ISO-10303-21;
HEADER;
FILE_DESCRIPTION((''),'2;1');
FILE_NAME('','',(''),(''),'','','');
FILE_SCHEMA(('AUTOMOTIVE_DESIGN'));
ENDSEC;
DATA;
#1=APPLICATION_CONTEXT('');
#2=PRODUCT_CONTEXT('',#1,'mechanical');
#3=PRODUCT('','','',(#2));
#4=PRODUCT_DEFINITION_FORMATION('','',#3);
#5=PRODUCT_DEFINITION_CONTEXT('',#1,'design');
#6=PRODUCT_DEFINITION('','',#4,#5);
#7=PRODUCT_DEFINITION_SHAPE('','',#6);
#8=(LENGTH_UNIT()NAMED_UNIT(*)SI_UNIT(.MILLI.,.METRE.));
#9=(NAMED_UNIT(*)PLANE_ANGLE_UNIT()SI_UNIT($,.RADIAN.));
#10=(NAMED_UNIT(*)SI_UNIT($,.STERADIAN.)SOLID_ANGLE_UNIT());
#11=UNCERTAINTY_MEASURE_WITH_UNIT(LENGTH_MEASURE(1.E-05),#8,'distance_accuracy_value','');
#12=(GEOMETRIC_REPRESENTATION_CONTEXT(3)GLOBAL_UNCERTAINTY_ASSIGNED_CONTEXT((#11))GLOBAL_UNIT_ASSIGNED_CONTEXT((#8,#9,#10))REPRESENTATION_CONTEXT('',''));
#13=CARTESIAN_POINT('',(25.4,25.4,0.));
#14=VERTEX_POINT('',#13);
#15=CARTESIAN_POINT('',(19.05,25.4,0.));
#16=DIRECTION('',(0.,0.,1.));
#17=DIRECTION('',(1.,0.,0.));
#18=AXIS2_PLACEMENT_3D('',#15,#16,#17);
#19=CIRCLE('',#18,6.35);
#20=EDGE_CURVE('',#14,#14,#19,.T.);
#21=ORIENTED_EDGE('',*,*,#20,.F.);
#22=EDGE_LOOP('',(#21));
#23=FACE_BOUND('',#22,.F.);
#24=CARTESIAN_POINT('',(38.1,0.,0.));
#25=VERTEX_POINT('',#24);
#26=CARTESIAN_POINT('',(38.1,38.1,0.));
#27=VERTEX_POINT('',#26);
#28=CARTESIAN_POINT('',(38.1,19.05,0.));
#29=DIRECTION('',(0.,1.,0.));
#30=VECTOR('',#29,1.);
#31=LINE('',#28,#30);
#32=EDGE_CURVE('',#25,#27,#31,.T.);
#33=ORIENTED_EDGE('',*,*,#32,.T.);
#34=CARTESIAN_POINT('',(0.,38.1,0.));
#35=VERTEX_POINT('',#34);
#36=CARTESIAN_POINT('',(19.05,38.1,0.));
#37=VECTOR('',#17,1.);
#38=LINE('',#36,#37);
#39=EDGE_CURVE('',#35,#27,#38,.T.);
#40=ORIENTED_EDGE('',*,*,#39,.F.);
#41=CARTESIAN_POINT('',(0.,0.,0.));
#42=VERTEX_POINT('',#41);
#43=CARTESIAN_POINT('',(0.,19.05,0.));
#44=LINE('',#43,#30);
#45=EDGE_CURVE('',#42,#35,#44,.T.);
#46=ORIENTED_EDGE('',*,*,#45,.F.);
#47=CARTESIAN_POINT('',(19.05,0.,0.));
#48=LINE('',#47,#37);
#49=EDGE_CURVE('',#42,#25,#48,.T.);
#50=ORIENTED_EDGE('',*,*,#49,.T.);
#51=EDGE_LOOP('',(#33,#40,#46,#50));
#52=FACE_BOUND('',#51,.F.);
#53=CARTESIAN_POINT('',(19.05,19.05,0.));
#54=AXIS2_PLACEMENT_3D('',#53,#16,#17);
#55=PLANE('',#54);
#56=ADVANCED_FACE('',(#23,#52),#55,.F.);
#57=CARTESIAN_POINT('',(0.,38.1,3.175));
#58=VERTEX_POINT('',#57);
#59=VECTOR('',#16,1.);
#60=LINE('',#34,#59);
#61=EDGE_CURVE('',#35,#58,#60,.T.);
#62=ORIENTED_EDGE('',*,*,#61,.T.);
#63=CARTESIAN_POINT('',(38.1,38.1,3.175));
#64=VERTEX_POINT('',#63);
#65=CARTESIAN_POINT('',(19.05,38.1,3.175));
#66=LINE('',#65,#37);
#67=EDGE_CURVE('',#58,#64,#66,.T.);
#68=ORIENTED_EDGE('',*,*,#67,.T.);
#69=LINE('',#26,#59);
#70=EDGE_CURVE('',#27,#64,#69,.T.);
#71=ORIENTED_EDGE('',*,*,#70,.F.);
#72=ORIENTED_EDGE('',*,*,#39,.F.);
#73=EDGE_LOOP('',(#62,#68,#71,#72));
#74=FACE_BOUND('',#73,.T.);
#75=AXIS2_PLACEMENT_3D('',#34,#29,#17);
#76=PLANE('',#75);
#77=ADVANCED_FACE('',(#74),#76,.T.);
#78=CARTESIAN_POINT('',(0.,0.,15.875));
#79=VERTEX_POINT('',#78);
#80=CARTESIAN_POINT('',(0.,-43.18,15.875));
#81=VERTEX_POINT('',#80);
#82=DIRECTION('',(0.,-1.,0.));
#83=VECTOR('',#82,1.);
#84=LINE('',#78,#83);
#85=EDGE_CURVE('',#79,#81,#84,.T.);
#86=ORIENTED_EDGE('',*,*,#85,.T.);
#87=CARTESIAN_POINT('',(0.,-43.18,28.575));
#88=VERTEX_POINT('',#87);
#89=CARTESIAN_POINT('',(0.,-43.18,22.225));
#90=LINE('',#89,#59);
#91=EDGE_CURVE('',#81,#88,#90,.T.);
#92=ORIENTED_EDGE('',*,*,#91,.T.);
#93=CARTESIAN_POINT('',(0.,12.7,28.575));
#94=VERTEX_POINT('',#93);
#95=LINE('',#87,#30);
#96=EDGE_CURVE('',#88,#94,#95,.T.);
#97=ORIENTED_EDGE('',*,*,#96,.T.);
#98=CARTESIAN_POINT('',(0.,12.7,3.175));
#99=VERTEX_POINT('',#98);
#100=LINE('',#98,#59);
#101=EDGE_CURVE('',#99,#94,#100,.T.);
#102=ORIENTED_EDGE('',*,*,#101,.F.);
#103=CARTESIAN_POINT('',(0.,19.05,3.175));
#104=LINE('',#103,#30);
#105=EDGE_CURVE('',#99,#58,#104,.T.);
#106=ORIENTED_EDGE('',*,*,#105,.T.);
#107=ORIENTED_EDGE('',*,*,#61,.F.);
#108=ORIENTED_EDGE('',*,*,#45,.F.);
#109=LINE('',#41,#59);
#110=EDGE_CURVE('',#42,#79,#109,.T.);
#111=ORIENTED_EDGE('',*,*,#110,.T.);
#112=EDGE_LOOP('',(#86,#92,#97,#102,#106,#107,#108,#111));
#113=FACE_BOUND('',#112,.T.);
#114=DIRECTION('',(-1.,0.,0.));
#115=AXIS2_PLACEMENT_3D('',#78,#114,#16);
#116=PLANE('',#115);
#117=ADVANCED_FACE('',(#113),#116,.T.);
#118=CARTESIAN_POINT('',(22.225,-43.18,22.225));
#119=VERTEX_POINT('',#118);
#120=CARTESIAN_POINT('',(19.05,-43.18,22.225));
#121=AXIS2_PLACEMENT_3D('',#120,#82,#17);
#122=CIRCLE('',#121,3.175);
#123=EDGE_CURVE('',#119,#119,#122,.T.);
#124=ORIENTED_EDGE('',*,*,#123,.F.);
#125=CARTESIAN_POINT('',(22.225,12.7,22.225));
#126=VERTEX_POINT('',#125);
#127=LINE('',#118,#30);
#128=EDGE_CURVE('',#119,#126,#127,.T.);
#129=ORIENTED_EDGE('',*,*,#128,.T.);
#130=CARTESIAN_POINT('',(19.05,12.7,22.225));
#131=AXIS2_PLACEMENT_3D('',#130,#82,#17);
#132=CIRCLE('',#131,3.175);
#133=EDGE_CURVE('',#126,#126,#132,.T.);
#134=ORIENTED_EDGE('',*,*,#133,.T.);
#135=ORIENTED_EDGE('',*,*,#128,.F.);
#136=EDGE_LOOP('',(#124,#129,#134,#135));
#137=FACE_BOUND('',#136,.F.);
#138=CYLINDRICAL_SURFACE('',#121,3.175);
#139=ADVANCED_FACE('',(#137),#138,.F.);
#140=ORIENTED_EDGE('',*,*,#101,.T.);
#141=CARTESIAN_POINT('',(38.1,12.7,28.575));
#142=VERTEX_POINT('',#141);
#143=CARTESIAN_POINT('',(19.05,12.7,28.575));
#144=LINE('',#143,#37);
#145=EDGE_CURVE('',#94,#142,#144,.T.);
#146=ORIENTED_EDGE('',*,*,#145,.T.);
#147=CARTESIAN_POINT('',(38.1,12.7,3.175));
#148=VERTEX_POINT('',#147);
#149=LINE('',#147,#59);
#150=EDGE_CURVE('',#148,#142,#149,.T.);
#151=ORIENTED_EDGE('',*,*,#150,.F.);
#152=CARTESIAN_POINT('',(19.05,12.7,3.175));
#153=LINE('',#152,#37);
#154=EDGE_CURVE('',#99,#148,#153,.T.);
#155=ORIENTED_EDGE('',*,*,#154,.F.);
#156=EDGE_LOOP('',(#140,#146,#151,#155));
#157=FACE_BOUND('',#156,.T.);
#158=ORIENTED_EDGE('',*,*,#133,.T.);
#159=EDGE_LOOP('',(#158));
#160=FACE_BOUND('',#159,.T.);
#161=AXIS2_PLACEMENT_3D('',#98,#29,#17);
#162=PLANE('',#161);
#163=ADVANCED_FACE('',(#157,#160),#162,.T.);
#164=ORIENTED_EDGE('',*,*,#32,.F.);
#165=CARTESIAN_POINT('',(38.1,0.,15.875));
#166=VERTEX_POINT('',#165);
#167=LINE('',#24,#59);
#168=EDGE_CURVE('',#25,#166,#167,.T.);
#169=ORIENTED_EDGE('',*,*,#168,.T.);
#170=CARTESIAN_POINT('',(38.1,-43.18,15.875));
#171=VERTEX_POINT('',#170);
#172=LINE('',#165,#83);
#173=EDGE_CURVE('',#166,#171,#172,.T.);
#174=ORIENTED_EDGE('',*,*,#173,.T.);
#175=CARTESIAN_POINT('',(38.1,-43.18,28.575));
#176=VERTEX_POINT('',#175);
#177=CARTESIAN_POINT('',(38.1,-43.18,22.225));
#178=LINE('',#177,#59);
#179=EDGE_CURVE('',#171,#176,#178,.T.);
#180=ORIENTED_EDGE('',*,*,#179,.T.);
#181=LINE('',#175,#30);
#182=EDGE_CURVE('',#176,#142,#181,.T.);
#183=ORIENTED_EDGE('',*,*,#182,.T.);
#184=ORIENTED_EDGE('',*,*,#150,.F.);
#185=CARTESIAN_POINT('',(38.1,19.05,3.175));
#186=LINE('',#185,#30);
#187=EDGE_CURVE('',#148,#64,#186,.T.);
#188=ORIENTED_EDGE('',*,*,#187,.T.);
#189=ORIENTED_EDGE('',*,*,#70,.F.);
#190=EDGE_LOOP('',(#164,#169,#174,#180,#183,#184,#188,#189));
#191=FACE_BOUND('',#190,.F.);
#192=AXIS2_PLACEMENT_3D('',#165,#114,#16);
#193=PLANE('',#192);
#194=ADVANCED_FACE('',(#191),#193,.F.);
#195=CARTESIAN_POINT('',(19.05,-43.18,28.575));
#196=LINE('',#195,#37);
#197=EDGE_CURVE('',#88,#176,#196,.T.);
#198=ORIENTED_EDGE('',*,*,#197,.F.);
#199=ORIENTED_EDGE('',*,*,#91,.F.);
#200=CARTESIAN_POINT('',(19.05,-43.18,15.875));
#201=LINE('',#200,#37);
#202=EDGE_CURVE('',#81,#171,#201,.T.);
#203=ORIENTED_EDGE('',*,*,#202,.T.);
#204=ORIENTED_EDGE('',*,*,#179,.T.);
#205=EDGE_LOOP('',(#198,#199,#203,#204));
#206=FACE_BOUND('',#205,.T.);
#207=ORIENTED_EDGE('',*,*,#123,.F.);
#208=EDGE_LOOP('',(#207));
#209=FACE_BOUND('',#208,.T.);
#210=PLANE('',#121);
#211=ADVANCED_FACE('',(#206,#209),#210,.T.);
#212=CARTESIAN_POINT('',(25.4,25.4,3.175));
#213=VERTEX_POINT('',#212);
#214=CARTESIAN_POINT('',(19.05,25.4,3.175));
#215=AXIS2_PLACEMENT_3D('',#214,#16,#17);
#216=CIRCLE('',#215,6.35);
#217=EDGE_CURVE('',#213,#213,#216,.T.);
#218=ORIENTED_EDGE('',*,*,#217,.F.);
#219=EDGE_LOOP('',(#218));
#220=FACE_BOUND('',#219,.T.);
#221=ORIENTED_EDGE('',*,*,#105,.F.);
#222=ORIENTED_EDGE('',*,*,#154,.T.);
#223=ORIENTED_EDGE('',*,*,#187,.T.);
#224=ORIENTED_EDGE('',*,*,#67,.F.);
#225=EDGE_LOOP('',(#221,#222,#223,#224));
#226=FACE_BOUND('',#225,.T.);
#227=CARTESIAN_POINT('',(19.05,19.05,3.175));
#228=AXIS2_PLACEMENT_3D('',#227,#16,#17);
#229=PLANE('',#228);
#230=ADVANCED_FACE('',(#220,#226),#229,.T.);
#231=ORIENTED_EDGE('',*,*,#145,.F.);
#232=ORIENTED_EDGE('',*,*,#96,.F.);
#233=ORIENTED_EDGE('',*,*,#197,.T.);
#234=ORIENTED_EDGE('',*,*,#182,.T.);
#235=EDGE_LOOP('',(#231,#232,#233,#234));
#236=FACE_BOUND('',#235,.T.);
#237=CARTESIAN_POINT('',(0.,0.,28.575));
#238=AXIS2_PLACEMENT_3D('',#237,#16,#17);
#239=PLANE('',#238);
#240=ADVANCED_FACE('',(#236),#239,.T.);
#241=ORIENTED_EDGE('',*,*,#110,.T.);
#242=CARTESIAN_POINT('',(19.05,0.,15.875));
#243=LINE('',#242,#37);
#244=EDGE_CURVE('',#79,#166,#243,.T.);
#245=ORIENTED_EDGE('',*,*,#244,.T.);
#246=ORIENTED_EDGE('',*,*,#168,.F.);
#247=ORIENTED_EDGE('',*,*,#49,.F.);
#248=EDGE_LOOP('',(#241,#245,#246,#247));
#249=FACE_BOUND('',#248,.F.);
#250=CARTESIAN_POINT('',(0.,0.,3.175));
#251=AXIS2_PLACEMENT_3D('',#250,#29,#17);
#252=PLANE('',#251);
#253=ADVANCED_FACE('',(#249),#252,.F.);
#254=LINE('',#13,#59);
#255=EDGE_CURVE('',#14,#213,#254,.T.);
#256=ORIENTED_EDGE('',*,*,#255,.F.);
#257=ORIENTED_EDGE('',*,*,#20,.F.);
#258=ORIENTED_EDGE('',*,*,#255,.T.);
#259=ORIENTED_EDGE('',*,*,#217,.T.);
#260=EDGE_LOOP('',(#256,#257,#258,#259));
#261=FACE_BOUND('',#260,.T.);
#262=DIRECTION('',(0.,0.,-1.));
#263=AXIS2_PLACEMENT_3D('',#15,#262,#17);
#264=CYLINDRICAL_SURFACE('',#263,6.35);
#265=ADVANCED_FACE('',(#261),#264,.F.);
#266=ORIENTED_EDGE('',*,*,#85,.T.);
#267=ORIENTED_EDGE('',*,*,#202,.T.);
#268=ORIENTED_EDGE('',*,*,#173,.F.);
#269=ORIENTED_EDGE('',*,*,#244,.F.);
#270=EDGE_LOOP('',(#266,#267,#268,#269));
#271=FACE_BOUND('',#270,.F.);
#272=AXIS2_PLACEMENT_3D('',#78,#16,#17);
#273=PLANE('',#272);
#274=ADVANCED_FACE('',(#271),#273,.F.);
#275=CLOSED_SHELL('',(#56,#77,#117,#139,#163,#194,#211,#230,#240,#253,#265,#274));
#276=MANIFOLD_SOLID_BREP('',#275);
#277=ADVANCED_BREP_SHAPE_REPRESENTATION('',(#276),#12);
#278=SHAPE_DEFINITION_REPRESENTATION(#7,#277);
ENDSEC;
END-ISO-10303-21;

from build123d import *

# Parameters (mm, degrees)
F0_W     = 38.1
F0_H     = 38.1
F0_R     = 6.35
F1_DEPTH = 3.175
F2_W     = 38.1
F2_H     = 12.7
F3_DEPTH = 25.4
F4_W     = 38.1
F4_H     = 12.7
F5_DEPTH = 43.18
F6_R     = 3.175
F7_DEPTH = 81.281


with BuildPart() as f1:
    # F0 (on Top) → F1 (new body)
    with BuildSketch(Plane.XY):
        with Locations((19.05, 19.05)):
            Rectangle(F0_W, F0_H)
        with Locations((19.05, 25.4)):
            Circle(F0_R, mode=Mode.SUBTRACT)
    extrude(amount=F1_DEPTH)

    # F2 (on face) → F3 (join)
    with BuildSketch(Plane.XY.offset(3.175)):
        with Locations((19.05, 6.35)):
            Rectangle(F2_W, F2_H)
    extrude(amount=F3_DEPTH)

    # F4 (on face) → F5 (join)
    with BuildSketch(Plane.XZ):
        with Locations((19.05, 22.225)):
            Rectangle(F4_W, F4_H)
    extrude(amount=F5_DEPTH)

    # F6 (on face) → F7 (cut, through all)
    with BuildSketch(Plane.XZ.offset(43.18)):
        with Locations((19.05, 22.225)):
            Circle(F6_R)
    extrude(amount=-F7_DEPTH, mode=Mode.SUBTRACT)


solid = f1.part
